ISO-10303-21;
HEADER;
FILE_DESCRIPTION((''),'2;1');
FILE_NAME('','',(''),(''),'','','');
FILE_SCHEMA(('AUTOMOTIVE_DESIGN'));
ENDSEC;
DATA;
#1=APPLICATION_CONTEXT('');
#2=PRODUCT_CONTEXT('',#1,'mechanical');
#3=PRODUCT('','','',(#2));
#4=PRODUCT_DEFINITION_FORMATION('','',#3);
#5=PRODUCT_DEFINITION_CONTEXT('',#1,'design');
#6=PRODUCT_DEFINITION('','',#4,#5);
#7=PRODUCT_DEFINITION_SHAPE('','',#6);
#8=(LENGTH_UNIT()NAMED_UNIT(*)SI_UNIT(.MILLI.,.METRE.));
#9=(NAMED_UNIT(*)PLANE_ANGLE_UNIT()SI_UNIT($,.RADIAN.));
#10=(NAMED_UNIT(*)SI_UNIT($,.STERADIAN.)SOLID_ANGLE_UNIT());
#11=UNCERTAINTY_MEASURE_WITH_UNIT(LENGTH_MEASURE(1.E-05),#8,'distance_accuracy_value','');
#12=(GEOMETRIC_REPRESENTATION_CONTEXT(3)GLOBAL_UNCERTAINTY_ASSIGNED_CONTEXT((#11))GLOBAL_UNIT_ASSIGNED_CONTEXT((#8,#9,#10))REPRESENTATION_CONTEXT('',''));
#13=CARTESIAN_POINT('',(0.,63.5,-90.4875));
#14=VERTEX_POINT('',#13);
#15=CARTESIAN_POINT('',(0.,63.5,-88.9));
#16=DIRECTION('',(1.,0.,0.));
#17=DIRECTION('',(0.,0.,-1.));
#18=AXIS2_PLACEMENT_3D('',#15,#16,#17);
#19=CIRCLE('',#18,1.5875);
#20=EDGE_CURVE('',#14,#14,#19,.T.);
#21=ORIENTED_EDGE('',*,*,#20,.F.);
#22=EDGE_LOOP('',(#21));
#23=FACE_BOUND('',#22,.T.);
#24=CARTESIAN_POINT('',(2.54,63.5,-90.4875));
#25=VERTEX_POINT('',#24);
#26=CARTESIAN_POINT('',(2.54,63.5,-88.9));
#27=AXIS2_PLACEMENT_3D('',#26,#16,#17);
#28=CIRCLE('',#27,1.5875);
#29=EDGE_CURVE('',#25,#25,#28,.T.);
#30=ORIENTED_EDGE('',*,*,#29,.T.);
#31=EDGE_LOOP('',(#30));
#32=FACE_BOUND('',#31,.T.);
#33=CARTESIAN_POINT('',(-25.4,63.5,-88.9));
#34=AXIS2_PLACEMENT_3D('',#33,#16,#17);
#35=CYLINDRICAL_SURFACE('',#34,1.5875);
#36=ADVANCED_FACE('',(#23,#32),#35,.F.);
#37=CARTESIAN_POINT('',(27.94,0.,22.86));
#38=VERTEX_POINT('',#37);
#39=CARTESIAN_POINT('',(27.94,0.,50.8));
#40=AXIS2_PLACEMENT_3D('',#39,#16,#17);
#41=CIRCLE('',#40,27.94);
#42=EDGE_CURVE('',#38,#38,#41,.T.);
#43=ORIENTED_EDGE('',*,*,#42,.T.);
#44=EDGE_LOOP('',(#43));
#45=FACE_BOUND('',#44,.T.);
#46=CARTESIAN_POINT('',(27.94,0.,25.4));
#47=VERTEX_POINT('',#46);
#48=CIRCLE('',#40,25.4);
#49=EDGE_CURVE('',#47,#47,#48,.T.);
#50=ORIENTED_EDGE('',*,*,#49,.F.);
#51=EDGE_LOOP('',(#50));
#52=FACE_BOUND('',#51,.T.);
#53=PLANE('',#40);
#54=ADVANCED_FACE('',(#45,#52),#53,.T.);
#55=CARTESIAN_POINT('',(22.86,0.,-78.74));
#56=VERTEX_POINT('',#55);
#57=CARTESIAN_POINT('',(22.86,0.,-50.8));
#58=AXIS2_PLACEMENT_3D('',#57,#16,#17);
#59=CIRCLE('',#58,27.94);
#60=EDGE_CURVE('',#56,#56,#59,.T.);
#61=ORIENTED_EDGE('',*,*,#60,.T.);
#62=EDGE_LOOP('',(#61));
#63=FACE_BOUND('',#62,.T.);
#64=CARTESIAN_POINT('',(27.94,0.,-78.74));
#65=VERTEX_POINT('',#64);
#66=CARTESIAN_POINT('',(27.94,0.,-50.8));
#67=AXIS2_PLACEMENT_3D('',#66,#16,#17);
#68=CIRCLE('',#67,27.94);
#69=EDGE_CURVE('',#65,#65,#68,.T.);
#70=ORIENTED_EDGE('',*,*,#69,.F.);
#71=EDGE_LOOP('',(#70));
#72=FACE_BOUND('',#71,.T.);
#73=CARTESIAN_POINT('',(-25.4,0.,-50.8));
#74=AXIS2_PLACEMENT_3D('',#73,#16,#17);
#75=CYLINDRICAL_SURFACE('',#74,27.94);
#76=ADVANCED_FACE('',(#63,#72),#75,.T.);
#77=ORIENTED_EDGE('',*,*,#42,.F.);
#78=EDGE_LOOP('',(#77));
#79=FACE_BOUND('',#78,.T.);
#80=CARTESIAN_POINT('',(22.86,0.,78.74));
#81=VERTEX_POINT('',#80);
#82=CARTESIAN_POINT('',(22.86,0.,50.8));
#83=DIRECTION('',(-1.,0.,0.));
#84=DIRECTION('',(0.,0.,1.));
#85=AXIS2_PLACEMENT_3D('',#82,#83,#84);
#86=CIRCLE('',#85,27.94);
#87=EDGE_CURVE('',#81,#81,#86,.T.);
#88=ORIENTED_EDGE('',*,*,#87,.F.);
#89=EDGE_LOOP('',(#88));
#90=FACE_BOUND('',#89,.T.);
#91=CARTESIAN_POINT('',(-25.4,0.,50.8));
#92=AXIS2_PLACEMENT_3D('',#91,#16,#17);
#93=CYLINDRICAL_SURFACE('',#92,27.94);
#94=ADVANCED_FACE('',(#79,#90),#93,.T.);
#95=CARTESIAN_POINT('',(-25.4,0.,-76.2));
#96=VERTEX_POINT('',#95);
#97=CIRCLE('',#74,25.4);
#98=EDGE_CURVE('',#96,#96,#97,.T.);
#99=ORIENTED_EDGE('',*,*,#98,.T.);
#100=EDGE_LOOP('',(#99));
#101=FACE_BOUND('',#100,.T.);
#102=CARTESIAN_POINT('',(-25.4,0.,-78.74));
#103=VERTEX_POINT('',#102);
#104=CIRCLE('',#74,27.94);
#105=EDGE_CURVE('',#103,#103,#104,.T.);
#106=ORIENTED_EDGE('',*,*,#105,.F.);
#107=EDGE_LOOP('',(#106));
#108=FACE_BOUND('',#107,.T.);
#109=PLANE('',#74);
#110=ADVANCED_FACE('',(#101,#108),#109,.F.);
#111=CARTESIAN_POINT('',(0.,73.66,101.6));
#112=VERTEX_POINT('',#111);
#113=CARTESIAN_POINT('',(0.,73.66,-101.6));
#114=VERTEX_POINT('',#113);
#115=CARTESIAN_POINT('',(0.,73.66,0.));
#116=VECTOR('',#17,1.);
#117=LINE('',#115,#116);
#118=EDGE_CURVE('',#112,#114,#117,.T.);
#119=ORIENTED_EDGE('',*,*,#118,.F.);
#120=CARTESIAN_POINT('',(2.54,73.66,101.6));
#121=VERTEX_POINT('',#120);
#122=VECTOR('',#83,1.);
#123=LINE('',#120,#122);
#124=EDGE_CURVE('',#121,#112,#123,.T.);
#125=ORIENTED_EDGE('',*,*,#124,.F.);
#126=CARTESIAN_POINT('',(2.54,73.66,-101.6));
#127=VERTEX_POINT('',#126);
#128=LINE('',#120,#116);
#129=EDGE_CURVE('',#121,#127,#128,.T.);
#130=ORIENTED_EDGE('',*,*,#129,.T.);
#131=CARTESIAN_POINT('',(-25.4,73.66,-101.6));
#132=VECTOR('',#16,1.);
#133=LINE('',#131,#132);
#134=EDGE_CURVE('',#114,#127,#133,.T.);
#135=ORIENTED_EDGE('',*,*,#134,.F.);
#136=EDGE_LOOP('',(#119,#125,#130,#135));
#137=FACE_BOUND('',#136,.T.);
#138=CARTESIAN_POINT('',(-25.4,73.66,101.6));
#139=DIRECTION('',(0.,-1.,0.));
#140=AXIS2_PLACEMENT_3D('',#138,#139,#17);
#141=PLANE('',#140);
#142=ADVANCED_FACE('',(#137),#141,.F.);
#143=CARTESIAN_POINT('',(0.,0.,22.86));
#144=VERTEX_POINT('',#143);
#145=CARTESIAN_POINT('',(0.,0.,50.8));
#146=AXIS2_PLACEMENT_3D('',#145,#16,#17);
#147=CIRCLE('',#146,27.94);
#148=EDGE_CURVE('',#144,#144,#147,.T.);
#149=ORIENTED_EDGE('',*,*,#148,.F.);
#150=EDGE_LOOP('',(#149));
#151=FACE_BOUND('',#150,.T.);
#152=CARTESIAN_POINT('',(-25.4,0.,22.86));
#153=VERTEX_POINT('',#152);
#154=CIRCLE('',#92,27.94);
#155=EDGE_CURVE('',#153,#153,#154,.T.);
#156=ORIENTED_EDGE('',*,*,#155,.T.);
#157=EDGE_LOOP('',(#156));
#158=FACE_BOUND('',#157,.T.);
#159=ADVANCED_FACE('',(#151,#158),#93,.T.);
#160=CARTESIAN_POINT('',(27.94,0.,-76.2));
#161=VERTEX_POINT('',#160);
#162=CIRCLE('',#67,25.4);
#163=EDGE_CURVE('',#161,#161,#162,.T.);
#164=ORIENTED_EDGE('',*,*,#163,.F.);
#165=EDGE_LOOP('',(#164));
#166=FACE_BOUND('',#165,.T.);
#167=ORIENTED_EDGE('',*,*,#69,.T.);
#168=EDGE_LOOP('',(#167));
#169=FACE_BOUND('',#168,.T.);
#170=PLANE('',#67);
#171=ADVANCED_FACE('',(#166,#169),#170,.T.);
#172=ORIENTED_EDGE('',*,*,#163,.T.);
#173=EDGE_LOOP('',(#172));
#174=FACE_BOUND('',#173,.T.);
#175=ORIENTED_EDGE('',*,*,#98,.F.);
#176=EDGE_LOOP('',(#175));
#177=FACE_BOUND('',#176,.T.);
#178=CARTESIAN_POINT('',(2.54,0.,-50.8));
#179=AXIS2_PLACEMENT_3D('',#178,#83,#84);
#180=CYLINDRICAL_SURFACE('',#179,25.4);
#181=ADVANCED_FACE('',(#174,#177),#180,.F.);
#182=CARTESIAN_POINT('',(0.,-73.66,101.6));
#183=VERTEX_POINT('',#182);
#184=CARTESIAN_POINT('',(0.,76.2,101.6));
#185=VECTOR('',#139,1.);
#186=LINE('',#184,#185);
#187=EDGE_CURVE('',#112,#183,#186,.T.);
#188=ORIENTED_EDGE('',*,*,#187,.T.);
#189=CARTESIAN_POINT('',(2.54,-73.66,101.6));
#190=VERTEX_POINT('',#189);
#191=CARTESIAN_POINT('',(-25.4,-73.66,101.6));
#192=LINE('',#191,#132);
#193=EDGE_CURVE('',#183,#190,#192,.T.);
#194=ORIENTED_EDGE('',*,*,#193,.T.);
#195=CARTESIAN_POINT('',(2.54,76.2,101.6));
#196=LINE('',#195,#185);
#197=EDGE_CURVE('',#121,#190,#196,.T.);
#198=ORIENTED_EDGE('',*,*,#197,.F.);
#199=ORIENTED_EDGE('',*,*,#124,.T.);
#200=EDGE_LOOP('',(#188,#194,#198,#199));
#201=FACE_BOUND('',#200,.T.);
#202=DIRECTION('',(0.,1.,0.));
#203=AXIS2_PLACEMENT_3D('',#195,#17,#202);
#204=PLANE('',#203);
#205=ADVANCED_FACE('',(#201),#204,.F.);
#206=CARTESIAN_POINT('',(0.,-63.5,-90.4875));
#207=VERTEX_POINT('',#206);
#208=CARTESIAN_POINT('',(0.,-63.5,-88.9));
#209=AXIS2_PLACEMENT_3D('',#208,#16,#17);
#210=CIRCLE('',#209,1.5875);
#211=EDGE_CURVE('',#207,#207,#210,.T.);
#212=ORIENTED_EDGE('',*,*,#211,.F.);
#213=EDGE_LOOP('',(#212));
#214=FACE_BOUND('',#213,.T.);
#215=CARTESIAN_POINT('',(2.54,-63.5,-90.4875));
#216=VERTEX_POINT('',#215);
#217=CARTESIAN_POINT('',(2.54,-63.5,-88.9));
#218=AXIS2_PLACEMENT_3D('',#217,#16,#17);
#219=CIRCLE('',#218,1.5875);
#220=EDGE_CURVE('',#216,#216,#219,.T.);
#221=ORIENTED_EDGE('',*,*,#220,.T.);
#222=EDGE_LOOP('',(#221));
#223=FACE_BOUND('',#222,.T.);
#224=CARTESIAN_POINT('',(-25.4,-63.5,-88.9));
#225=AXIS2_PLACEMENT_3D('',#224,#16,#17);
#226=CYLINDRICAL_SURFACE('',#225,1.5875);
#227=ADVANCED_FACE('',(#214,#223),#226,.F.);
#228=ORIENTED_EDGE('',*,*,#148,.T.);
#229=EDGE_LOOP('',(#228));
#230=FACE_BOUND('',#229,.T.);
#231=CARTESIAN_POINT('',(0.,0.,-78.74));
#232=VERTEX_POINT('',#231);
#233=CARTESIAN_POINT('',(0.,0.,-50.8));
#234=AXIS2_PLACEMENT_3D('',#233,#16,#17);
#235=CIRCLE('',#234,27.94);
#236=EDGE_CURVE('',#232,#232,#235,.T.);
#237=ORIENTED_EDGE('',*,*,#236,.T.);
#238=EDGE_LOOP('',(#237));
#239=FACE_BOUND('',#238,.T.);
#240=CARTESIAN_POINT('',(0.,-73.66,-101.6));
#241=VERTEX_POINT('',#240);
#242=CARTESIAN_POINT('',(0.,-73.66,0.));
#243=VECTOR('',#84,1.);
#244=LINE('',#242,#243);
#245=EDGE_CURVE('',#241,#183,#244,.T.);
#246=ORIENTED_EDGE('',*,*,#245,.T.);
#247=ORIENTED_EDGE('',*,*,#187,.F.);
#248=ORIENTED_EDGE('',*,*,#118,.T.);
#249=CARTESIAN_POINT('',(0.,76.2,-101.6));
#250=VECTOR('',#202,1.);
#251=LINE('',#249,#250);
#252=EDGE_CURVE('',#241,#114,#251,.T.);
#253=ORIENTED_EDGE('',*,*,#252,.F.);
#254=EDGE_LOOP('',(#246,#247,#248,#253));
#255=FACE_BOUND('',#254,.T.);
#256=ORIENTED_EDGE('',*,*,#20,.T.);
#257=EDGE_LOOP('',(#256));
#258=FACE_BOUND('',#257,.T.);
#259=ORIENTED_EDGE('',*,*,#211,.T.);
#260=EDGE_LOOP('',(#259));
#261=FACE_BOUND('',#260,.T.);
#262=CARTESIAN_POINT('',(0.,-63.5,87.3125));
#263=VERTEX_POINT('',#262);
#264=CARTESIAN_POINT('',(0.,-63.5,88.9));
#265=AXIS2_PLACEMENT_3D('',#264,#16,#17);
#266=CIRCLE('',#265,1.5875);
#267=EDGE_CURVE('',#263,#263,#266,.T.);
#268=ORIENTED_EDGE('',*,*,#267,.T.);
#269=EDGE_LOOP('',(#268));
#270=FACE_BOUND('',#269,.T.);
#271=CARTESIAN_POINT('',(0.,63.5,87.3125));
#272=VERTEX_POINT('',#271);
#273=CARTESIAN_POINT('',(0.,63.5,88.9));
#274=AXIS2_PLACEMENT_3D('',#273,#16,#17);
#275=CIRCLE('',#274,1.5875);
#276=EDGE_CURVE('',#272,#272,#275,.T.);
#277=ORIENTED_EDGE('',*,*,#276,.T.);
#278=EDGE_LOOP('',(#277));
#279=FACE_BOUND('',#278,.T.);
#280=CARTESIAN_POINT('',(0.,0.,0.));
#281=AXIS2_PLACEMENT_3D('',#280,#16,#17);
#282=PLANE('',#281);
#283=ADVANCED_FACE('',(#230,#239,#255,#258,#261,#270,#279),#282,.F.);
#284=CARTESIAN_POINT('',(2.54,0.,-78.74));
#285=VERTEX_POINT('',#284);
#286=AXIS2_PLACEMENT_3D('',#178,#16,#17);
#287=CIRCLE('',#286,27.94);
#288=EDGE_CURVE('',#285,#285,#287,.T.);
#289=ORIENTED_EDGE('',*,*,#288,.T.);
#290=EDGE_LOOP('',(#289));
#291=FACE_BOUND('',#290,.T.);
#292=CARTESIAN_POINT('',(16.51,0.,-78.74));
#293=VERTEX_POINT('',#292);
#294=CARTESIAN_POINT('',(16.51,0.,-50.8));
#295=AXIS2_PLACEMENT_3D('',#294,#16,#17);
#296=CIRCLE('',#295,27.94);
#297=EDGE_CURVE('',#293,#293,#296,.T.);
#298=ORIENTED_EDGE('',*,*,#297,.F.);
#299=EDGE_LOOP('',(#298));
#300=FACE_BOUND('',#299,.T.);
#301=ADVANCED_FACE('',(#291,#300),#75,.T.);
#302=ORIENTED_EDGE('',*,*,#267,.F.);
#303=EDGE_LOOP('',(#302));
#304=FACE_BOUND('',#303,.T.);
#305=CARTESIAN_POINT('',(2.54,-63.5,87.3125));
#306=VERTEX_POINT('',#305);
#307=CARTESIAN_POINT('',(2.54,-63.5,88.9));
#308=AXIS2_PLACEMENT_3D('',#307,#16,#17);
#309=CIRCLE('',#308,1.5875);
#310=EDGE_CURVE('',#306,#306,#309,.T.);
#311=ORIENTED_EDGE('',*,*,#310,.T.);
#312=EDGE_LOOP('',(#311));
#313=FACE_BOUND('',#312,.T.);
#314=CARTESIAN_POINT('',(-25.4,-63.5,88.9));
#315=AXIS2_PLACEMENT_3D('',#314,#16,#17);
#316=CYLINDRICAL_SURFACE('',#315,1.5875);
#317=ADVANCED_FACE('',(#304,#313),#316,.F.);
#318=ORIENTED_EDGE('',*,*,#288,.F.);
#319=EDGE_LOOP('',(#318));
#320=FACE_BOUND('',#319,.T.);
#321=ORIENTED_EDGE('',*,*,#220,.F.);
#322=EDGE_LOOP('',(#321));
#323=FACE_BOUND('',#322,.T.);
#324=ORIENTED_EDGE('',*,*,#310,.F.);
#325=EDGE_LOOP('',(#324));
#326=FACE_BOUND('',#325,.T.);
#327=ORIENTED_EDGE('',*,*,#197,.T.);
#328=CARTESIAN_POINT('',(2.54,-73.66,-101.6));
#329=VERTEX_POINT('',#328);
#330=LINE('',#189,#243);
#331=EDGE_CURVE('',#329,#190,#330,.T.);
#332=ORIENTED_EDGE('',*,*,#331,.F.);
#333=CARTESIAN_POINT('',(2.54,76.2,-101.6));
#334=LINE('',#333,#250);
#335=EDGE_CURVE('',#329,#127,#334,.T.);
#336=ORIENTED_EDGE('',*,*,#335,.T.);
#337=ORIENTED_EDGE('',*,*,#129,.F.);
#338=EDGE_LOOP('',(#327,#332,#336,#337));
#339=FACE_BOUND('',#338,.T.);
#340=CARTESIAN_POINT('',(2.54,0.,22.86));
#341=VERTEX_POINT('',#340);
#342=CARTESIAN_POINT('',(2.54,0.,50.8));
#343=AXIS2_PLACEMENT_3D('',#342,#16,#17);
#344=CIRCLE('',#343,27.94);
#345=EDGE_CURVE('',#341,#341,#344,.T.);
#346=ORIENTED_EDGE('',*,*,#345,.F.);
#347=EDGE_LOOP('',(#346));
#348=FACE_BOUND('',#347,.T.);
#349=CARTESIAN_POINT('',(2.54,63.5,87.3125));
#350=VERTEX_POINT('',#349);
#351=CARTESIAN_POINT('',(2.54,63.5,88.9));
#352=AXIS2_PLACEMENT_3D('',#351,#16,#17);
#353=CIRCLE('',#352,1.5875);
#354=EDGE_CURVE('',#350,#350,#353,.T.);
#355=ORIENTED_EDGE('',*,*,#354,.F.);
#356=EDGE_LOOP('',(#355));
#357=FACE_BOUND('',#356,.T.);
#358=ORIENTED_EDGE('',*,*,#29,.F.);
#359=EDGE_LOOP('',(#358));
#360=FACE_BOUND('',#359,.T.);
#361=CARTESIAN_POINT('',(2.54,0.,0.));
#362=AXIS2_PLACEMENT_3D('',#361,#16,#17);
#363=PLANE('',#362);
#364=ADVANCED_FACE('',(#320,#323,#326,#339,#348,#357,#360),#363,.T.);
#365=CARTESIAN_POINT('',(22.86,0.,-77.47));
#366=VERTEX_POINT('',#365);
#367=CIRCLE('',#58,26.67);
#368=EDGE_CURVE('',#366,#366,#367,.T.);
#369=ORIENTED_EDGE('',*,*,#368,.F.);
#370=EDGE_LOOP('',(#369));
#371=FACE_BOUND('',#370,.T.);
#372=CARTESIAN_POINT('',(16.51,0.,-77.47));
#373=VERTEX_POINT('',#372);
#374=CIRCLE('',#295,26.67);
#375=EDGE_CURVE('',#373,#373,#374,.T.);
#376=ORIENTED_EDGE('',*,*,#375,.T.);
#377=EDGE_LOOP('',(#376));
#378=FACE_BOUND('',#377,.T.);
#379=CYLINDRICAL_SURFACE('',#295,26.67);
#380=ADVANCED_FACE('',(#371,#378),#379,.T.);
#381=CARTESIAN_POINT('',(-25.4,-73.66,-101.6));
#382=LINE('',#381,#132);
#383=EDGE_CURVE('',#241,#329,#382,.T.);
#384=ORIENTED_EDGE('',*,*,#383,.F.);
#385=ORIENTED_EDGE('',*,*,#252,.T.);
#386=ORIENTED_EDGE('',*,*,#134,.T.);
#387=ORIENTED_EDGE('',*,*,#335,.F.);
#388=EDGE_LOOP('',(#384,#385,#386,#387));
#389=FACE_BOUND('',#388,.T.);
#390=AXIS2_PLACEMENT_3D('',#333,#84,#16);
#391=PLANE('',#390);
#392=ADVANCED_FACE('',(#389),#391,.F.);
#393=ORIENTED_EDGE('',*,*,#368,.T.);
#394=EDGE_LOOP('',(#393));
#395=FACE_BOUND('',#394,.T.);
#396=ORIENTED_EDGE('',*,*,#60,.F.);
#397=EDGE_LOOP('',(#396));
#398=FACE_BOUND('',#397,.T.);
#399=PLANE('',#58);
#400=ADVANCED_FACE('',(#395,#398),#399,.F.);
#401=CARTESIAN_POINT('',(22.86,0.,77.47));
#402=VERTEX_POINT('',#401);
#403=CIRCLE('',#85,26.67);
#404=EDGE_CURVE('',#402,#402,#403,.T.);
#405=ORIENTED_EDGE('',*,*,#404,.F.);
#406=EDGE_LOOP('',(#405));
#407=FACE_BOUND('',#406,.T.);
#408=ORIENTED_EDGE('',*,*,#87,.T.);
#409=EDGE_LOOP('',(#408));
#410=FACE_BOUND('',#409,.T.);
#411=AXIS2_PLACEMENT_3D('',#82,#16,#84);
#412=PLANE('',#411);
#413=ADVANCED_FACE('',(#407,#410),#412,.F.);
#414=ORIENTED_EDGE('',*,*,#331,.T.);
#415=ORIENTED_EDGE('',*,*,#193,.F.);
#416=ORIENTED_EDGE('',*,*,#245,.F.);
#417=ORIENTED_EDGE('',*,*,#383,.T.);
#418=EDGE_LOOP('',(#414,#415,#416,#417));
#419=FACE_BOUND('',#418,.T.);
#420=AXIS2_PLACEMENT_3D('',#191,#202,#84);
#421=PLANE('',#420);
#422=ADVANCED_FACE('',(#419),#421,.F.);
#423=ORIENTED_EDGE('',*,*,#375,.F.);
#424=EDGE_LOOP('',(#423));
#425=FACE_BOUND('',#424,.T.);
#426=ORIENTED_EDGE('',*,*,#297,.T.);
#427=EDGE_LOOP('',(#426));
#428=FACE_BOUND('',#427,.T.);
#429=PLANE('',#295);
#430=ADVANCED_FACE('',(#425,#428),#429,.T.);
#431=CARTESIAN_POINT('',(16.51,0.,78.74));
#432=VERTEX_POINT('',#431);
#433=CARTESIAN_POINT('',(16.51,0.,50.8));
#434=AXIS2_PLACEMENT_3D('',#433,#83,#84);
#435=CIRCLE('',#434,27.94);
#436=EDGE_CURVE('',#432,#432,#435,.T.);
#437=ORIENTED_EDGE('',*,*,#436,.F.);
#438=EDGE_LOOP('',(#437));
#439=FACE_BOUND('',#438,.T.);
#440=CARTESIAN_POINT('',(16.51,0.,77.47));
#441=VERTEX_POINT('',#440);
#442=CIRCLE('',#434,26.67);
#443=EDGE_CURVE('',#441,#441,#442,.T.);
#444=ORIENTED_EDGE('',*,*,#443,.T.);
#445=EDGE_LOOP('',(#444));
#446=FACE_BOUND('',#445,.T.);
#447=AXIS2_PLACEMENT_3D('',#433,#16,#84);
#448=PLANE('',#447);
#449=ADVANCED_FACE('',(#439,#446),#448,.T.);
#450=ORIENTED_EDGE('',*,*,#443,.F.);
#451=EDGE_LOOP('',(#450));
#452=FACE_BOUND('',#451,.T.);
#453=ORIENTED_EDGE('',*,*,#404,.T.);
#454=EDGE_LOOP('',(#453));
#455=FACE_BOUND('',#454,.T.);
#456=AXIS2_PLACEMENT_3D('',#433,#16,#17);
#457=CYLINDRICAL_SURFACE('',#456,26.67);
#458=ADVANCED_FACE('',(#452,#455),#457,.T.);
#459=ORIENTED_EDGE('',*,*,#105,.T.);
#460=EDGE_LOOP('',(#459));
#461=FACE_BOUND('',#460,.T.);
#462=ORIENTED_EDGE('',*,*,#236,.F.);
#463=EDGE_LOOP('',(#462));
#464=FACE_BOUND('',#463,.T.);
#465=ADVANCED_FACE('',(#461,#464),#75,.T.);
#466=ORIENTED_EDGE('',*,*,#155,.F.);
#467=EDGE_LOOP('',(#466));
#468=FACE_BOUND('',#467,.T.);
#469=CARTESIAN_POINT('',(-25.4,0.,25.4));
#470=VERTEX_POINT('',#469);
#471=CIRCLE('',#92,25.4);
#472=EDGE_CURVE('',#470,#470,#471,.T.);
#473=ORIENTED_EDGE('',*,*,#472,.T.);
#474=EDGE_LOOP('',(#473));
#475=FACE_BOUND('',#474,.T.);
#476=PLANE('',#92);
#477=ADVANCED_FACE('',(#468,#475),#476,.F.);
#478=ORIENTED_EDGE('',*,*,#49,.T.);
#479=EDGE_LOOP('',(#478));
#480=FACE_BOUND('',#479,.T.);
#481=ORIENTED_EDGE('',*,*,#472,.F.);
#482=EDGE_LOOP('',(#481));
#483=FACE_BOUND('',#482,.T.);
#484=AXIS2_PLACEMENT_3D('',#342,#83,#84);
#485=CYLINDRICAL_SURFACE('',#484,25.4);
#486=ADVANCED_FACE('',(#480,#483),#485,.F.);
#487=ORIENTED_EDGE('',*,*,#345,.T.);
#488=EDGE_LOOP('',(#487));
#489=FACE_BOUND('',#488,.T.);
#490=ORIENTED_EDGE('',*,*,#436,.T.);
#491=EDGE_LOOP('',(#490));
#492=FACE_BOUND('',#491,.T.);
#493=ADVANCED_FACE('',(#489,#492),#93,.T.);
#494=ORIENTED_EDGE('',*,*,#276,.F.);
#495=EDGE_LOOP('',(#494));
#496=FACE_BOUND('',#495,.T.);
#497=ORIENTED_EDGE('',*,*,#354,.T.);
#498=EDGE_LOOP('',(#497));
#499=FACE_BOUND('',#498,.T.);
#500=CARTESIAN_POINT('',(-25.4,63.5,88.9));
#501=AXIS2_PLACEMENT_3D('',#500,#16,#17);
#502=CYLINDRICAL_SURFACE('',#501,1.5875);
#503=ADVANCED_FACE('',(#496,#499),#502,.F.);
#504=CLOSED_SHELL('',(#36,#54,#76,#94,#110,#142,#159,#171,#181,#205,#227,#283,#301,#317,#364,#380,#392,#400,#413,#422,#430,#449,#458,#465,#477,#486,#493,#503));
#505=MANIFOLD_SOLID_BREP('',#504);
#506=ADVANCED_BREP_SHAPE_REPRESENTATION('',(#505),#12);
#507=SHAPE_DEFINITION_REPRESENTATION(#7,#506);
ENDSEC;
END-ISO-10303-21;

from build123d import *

# Parameters (mm, degrees)
SKETCH1_W                = 203.2
SKETCH1_H                = 152.4
SKETCH1_R                = 25.4
BOSS_EXTRUDE1_DEPTH      = 2.54
BOSS_EXTRUDE2_DEPTH      = 25.4
BOSS_EXTRUDE2_DEPTH_BACK = 27.94
SKETCH2_R                = 27.94
SKETCH2_R_2              = 25.4
CUT_EXTRUDE1_START       = -5.08
SKETCH3_R                = 27.94
SKETCH3_R_2              = 26.67
CUT_EXTRUDE1_DEPTH       = 6.35
SKETCH4_R                = 1.5875
CUT_EXTRUDE2_DEPTH       = 131.037085479
SKETCH5_W                = 203.2
SKETCH5_H                = 2.54
CUT_EXTRUDE3_DEPTH       = 131.037085479


with BuildPart() as part:
    # Sketch1 → Boss-Extrude1 (new body)
    with BuildSketch(Plane(origin=(0, 0, 0), x_dir=(0, 0, -1), z_dir=(1, 0, 0))):
        Rectangle(SKETCH1_W, SKETCH1_H)
        with Locations((50.8, 0)):
            Circle(SKETCH1_R, mode=Mode.SUBTRACT)
        with Locations((-50.8, 0)):
            Circle(SKETCH1_R, mode=Mode.SUBTRACT)
    extrude(amount=BOSS_EXTRUDE1_DEPTH)

    # Sketch2 → Boss-Extrude2 (add, two sides: drawn at the far end of the back side and taken through both)
    # profile 1 of 2: a face of its own
    with BuildSketch(Plane(origin=(2.54, 0, 0), x_dir=(0, 0, -1), z_dir=(1, 0, 0)).offset(-BOSS_EXTRUDE2_DEPTH_BACK)):
        with Locations((-50.8, 0)):
            Circle(SKETCH2_R)
        with Locations((-50.8, 0)):
            Circle(SKETCH2_R_2, mode=Mode.SUBTRACT)
    # profile 2 of 2: a face of its own
    with BuildSketch(Plane(origin=(2.54, 0, 0), x_dir=(0, 0, -1), z_dir=(1, 0, 0)).offset(-BOSS_EXTRUDE2_DEPTH_BACK)):
        with Locations((50.8, 0)):
            Circle(SKETCH2_R)
        with Locations((50.8, 0)):
            Circle(SKETCH2_R_2, mode=Mode.SUBTRACT)
    extrude(amount=BOSS_EXTRUDE2_DEPTH + BOSS_EXTRUDE2_DEPTH_BACK)

    # Sketch3 → Cut-Extrude1 (cut)
    with BuildSketch(Plane(origin=(27.94, 0, 0), x_dir=(0, 0, -1), z_dir=(1, 0, 0)).offset(CUT_EXTRUDE1_START)):
        with Locations((50.8, 0)):
            Circle(SKETCH3_R)
        with Locations((50.8, 0)):
            Circle(SKETCH3_R_2, mode=Mode.SUBTRACT)
    cut_extrude1 = extrude(amount=-CUT_EXTRUDE1_DEPTH, mode=Mode.SUBTRACT)

    # Mirror1: Cut-Extrude1 across plane
    add(cut_extrude1.mirror(Plane.XY), mode=Mode.SUBTRACT)

    # Sketch4 → Cut-Extrude2 (cut, through all)
    with BuildSketch(Plane(origin=(2.54, 0, 0), x_dir=(0, 0, -1), z_dir=(1, 0, 0))):
        with Locations((-88.9, 63.5)):
            Circle(SKETCH4_R)
        with Locations((88.9, 63.5)):
            Circle(SKETCH4_R)
        with Locations((88.9, -63.5)):
            Circle(SKETCH4_R)
        with Locations((-88.9, -63.5)):
            Circle(SKETCH4_R)
    extrude(amount=-CUT_EXTRUDE2_DEPTH, mode=Mode.SUBTRACT)

    # Sketch5 → Cut-Extrude3 (cut, through all)
    with BuildSketch(Plane(origin=(2.54, 0, 0), x_dir=(0, 0, -1), z_dir=(1, 0, 0))):
        with Locations((0, -74.93)):
            Rectangle(SKETCH5_W, SKETCH5_H)
        with Locations((0, 74.93)):
            Rectangle(SKETCH5_W, SKETCH5_H)
    extrude(amount=-CUT_EXTRUDE3_DEPTH, mode=Mode.SUBTRACT)


solid = part.part
